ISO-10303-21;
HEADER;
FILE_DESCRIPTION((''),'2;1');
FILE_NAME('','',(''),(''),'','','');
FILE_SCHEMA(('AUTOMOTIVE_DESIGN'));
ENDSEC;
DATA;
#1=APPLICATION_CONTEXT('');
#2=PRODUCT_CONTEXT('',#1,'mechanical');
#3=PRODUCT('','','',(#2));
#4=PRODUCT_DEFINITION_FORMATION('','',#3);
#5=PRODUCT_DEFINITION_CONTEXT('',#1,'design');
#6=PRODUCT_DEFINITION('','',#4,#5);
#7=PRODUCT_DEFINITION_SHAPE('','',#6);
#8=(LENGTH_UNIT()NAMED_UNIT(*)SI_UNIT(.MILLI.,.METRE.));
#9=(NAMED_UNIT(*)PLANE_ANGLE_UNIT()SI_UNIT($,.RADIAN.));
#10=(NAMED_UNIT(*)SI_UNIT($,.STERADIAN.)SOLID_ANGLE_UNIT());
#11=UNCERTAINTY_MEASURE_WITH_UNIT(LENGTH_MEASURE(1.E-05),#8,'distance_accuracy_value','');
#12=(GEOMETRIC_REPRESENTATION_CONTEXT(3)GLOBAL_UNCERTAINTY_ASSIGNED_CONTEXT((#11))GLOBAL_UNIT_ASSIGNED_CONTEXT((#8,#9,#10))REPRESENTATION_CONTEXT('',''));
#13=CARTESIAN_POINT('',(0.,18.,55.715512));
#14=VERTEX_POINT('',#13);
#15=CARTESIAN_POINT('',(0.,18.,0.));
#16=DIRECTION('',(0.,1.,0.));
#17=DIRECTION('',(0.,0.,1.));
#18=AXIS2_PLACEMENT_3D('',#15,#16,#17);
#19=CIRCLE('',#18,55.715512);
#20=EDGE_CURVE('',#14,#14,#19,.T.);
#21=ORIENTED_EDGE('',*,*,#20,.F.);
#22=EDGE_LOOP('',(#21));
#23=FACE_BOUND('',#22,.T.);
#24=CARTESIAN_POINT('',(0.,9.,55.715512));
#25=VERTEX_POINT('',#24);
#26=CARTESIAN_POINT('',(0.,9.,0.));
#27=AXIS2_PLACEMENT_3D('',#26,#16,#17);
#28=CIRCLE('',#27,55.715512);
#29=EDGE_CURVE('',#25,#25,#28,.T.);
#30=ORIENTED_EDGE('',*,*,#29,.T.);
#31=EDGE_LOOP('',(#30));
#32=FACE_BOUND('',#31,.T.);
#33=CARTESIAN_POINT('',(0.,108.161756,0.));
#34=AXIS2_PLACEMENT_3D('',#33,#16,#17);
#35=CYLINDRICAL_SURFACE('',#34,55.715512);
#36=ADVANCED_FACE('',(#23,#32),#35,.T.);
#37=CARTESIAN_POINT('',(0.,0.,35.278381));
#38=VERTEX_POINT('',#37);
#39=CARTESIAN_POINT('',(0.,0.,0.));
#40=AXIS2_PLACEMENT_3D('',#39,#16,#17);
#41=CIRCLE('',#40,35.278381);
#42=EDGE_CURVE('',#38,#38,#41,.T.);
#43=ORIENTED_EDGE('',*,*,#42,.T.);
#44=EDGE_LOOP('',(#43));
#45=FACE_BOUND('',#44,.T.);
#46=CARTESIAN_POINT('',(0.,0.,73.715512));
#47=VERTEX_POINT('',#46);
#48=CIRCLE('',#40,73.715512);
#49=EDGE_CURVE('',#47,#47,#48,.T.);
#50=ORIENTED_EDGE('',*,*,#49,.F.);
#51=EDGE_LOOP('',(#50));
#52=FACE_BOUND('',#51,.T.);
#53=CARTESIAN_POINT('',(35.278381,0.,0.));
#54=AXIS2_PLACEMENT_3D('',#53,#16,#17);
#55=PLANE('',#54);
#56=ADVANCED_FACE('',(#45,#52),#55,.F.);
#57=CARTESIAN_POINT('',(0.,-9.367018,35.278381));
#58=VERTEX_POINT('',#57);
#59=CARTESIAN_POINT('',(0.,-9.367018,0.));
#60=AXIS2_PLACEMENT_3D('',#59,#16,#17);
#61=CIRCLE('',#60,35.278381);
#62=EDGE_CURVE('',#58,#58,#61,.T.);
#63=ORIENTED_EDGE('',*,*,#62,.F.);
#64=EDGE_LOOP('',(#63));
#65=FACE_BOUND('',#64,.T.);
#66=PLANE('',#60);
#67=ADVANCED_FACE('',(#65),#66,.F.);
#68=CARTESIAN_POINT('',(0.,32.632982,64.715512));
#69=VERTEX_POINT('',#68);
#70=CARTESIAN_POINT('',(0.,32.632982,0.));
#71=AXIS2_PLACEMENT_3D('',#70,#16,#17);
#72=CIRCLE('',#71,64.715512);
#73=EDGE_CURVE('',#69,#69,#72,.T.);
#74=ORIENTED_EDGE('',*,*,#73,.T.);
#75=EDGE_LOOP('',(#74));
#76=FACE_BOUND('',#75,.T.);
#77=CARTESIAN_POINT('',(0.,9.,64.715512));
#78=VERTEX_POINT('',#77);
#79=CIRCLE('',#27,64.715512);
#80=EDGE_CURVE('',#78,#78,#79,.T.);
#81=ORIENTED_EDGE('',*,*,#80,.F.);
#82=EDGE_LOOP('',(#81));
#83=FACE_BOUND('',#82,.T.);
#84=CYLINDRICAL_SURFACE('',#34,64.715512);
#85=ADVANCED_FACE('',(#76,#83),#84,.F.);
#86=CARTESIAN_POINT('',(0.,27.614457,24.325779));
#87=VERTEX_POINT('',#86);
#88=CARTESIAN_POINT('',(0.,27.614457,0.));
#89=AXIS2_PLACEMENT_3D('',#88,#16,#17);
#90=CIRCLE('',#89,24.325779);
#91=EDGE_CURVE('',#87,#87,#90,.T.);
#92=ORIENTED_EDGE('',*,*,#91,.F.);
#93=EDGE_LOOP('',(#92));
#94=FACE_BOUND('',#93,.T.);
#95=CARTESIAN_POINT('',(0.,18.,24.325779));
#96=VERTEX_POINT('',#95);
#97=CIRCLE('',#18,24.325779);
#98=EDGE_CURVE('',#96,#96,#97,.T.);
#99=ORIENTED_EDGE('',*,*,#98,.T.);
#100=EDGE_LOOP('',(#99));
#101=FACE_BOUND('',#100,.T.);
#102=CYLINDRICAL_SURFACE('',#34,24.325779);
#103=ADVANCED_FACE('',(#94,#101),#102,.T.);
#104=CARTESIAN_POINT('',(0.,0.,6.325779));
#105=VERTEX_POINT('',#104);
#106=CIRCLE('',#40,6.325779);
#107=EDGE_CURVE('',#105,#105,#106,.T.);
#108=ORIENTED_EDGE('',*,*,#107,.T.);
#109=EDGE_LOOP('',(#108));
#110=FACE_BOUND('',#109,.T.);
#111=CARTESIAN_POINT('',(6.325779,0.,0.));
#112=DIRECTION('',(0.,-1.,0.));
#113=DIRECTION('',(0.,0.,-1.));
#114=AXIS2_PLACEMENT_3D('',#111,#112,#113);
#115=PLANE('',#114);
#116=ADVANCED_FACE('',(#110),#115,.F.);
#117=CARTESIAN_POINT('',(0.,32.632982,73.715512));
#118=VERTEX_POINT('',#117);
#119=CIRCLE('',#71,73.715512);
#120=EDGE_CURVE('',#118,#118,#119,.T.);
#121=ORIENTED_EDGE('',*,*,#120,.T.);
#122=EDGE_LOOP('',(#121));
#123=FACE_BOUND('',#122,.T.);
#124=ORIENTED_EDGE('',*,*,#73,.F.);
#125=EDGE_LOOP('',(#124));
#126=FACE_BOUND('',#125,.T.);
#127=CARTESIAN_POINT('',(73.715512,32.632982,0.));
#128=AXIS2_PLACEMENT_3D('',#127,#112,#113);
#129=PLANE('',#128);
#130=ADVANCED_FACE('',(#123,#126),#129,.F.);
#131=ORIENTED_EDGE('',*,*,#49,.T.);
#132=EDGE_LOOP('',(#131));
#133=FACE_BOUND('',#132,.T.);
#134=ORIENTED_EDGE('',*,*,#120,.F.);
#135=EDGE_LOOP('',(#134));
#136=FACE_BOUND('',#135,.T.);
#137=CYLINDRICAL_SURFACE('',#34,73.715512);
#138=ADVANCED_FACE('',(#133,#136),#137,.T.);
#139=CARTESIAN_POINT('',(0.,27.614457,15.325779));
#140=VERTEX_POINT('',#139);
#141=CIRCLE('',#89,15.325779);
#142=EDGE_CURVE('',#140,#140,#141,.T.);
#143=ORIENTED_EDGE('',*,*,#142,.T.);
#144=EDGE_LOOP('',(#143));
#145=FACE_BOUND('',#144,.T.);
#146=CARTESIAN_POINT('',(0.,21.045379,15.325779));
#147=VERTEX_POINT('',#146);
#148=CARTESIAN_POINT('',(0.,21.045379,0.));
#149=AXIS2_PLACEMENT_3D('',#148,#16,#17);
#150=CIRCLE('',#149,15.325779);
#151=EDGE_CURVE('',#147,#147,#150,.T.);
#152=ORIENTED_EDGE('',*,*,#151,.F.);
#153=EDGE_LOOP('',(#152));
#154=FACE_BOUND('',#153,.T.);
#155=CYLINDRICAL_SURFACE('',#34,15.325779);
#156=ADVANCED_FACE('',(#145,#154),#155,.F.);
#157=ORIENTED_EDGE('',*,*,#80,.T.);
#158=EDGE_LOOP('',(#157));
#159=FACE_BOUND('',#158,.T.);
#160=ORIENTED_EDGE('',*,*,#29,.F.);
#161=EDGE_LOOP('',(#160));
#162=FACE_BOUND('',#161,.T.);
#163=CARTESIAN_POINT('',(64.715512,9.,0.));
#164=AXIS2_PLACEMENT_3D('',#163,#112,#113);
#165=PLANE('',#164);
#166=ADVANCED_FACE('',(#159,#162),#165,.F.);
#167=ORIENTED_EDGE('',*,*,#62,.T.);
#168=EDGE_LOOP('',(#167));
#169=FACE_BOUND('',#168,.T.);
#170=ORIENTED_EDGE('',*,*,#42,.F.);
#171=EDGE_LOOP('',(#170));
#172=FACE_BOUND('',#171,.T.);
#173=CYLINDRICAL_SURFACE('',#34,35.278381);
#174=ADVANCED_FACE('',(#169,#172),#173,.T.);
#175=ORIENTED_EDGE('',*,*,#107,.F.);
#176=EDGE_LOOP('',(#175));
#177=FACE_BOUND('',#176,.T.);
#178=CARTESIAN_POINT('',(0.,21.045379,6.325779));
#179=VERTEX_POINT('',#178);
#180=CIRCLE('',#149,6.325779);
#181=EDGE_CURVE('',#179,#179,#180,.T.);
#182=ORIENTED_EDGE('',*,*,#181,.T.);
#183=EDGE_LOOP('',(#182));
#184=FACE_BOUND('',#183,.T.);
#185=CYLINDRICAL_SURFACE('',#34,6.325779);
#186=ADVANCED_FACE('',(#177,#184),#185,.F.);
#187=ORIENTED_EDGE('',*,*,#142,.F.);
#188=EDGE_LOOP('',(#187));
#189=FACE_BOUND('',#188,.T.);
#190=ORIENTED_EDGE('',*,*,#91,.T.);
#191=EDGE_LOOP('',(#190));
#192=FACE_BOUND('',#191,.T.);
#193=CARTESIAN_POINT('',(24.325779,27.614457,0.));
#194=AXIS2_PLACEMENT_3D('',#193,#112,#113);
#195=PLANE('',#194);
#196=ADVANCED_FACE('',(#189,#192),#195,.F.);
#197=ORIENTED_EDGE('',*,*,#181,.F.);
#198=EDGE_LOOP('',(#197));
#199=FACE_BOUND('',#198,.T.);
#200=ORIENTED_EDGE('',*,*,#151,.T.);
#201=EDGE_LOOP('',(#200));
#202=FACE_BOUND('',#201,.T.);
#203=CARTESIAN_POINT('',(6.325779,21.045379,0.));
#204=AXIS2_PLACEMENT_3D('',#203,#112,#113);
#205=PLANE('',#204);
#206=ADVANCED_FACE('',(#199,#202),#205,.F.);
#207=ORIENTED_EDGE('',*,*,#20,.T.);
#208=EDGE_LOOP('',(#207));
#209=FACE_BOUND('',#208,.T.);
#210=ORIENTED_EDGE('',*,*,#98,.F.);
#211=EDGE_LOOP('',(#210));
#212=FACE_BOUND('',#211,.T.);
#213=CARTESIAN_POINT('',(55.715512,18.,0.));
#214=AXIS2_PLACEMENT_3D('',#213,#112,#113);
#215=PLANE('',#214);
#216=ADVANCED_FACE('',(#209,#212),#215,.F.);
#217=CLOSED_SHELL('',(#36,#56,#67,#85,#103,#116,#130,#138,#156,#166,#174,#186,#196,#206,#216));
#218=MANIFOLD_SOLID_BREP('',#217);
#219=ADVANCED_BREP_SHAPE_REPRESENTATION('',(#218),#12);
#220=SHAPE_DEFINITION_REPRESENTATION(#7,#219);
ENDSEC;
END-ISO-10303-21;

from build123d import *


with BuildPart() as part:
    # Schizzo3 → Rivoluzione1 (revolve)
    with BuildSketch(Plane.XY):
        Polygon((0, -9.36701832), (35.278380685, -9.36701832), (35.278380685, 0), (73.715511564, 0), (73.715511564, 32.63298168), (64.715511564, 32.63298168), (64.715511564, 9), (55.715511564, 9), (55.715511564, 18), (24.325778606, 18), (24.325778606, 27.614456605), (15.325778606, 27.614456605), (15.325778606, 21.045378822), (6.325778606, 21.045378822), (6.325778606, 0), (0, 0), align=None)
    revolve(axis=Axis((0, 108.161755846, 0), (0, -1, 0)))


solid = part.part
